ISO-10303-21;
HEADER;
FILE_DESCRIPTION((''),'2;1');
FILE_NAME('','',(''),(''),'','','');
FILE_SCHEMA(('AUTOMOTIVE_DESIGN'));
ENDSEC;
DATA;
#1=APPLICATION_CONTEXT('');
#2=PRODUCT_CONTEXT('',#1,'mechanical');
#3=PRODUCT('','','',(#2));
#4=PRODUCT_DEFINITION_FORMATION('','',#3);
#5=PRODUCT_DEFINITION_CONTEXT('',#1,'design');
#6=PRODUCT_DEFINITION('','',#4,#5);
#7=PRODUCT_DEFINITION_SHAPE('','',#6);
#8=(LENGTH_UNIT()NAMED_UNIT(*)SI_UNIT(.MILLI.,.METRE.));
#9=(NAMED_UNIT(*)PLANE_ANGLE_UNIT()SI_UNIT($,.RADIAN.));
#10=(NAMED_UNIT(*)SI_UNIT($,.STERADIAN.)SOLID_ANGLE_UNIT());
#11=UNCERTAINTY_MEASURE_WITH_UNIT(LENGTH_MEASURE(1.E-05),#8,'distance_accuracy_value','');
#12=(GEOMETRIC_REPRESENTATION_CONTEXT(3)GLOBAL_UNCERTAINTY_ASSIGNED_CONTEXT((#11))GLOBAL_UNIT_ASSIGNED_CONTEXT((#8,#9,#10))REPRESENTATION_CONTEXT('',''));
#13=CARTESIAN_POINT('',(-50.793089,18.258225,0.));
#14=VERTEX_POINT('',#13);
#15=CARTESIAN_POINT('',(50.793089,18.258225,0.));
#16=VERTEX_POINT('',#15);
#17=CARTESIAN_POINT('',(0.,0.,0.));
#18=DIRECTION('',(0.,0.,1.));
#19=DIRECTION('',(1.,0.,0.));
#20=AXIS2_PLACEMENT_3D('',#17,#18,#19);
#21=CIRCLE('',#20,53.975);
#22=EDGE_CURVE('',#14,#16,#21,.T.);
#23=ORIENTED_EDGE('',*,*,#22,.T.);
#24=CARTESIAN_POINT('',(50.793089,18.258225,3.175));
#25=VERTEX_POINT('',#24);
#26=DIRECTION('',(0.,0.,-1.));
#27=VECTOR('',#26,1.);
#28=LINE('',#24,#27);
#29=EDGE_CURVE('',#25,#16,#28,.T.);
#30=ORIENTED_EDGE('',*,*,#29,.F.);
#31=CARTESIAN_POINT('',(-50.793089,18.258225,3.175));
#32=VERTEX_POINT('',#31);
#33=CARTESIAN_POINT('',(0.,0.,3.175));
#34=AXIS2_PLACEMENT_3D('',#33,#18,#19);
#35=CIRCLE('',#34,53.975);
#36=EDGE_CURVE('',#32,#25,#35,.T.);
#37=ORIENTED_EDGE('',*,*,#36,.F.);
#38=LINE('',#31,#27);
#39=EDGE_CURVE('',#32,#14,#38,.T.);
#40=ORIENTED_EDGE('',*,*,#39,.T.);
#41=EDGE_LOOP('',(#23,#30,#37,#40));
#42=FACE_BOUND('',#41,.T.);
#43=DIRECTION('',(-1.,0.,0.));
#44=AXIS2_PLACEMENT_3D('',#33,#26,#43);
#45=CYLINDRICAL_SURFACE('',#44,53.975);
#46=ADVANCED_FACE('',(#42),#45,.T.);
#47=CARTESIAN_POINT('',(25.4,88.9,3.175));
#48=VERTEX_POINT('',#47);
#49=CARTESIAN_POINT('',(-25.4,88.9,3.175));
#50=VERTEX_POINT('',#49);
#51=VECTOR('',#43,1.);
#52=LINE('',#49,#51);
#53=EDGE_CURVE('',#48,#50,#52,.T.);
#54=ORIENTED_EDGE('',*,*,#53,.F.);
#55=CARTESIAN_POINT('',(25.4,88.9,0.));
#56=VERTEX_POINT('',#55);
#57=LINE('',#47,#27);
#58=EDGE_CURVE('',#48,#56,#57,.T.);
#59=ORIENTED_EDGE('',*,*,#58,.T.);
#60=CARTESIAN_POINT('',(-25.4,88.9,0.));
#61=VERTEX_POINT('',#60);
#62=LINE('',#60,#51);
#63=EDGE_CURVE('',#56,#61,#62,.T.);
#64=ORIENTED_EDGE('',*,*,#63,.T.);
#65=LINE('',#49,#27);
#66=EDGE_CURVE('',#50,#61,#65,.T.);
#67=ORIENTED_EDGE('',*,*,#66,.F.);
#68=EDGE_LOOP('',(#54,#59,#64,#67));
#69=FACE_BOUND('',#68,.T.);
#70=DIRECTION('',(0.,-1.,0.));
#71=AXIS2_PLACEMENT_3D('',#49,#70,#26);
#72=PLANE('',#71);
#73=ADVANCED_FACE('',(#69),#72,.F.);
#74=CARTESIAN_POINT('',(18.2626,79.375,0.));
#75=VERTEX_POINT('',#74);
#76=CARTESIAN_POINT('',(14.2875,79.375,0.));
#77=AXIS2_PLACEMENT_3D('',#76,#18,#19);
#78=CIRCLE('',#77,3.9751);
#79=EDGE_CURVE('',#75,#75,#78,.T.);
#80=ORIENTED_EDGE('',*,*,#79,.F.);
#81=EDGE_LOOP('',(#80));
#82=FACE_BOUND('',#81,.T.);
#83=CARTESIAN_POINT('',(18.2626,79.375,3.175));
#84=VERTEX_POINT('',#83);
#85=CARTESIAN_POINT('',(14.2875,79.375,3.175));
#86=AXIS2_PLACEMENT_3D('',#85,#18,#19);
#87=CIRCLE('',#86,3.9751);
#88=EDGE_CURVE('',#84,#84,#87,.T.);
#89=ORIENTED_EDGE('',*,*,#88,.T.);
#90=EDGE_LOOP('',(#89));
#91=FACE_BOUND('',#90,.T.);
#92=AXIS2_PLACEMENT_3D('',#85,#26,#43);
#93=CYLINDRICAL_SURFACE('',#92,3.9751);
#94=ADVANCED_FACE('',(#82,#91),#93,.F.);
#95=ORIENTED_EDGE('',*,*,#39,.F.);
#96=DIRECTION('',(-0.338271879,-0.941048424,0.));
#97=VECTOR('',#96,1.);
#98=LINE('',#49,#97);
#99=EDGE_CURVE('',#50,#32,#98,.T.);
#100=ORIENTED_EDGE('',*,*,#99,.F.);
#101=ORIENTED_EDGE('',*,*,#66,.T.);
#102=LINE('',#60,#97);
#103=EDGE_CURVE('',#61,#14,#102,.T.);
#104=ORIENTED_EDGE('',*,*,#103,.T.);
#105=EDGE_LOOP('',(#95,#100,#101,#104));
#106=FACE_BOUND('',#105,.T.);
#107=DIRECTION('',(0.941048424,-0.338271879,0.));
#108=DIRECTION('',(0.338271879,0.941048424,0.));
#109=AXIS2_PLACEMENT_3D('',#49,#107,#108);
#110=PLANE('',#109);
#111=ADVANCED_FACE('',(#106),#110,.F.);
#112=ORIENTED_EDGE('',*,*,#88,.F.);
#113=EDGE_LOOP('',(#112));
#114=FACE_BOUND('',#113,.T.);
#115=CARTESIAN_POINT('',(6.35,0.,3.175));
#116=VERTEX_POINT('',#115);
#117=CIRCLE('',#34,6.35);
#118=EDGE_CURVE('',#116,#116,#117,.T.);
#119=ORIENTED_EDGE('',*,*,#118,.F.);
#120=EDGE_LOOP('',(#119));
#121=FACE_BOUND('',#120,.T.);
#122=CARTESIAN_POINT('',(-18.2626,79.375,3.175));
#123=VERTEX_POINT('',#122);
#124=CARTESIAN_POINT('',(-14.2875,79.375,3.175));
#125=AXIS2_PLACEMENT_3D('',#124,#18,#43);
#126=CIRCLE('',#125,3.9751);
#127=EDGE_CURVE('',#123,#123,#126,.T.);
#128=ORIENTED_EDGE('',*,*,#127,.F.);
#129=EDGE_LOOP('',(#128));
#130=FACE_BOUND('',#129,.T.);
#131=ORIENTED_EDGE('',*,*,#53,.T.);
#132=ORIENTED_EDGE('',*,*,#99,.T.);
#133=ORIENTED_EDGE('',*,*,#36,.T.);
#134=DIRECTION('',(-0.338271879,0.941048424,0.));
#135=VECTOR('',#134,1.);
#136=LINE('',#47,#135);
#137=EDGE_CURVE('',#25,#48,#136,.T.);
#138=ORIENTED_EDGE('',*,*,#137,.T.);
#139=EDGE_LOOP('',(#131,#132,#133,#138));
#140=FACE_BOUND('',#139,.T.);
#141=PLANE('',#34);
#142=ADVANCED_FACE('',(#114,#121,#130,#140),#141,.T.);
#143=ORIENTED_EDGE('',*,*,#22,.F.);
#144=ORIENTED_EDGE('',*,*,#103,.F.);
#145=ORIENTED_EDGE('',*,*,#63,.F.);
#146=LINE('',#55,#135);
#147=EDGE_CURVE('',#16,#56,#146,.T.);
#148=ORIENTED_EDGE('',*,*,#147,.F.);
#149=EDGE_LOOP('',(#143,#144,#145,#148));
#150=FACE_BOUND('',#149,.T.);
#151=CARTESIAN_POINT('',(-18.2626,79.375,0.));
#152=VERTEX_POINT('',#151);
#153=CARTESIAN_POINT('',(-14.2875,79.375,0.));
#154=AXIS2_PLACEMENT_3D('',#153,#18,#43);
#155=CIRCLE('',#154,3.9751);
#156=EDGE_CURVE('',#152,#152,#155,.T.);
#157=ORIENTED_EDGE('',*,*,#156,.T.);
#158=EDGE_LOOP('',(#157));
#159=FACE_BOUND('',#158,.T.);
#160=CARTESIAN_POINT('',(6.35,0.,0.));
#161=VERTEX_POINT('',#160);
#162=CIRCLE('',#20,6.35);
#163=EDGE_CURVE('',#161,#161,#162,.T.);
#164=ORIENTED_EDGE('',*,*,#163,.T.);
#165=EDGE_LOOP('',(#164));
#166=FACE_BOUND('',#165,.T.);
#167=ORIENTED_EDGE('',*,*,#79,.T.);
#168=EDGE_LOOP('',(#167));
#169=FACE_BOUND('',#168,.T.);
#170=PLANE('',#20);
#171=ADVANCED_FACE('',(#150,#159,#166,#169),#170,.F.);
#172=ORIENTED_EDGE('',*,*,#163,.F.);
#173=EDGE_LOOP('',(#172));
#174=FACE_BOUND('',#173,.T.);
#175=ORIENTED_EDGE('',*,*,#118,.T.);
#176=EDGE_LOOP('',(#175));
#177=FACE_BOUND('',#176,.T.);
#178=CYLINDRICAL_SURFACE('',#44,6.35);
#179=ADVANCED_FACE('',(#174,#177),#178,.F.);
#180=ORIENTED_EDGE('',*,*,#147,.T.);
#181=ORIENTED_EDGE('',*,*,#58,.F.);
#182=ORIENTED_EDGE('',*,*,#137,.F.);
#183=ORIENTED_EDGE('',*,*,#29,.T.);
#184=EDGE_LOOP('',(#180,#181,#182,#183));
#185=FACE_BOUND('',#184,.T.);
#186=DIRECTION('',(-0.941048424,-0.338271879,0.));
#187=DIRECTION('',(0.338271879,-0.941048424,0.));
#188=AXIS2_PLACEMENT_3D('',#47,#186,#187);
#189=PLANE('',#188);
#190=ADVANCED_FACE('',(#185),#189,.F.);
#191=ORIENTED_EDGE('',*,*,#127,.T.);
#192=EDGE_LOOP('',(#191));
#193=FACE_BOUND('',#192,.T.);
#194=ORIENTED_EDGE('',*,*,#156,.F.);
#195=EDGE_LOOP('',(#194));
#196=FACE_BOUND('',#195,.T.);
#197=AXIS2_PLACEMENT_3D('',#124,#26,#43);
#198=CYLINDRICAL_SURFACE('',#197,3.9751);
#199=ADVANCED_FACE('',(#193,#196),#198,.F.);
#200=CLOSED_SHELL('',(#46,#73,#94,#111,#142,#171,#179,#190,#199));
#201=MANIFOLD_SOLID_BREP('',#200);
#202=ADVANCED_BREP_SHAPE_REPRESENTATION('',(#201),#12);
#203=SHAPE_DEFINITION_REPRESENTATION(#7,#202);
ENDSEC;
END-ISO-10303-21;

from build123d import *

# Parameters (mm, degrees)
SKETCH1_R           = 3.9751
SKETCH1_R_2         = 6.35
BOSS_EXTRUDE1_DEPTH = 3.175


with BuildPart() as part:
    # Sketch1 → Boss-Extrude1 (new body)
    with BuildSketch(Plane.XY):
        with BuildLine():
            Line((-25.4, 88.9), (25.4, 88.9))
            Line((25.4, 88.9), (50.793088675, 18.258224664))
            ThreePointArc((50.793088675, 18.258224664), (0, -53.975), (-50.793088675, 18.258224664))
            Line((-50.793088675, 18.258224664), (-25.4, 88.9))
        make_face()
        with Locations((14.2875, 79.375)):
            Circle(SKETCH1_R, mode=Mode.SUBTRACT)
        with Locations(Location((-14.2875, 79.375, 0), (0, 0, 180))):
            Circle(SKETCH1_R, mode=Mode.SUBTRACT)
        Circle(SKETCH1_R_2, mode=Mode.SUBTRACT)
    extrude(amount=BOSS_EXTRUDE1_DEPTH)


solid = part.part
